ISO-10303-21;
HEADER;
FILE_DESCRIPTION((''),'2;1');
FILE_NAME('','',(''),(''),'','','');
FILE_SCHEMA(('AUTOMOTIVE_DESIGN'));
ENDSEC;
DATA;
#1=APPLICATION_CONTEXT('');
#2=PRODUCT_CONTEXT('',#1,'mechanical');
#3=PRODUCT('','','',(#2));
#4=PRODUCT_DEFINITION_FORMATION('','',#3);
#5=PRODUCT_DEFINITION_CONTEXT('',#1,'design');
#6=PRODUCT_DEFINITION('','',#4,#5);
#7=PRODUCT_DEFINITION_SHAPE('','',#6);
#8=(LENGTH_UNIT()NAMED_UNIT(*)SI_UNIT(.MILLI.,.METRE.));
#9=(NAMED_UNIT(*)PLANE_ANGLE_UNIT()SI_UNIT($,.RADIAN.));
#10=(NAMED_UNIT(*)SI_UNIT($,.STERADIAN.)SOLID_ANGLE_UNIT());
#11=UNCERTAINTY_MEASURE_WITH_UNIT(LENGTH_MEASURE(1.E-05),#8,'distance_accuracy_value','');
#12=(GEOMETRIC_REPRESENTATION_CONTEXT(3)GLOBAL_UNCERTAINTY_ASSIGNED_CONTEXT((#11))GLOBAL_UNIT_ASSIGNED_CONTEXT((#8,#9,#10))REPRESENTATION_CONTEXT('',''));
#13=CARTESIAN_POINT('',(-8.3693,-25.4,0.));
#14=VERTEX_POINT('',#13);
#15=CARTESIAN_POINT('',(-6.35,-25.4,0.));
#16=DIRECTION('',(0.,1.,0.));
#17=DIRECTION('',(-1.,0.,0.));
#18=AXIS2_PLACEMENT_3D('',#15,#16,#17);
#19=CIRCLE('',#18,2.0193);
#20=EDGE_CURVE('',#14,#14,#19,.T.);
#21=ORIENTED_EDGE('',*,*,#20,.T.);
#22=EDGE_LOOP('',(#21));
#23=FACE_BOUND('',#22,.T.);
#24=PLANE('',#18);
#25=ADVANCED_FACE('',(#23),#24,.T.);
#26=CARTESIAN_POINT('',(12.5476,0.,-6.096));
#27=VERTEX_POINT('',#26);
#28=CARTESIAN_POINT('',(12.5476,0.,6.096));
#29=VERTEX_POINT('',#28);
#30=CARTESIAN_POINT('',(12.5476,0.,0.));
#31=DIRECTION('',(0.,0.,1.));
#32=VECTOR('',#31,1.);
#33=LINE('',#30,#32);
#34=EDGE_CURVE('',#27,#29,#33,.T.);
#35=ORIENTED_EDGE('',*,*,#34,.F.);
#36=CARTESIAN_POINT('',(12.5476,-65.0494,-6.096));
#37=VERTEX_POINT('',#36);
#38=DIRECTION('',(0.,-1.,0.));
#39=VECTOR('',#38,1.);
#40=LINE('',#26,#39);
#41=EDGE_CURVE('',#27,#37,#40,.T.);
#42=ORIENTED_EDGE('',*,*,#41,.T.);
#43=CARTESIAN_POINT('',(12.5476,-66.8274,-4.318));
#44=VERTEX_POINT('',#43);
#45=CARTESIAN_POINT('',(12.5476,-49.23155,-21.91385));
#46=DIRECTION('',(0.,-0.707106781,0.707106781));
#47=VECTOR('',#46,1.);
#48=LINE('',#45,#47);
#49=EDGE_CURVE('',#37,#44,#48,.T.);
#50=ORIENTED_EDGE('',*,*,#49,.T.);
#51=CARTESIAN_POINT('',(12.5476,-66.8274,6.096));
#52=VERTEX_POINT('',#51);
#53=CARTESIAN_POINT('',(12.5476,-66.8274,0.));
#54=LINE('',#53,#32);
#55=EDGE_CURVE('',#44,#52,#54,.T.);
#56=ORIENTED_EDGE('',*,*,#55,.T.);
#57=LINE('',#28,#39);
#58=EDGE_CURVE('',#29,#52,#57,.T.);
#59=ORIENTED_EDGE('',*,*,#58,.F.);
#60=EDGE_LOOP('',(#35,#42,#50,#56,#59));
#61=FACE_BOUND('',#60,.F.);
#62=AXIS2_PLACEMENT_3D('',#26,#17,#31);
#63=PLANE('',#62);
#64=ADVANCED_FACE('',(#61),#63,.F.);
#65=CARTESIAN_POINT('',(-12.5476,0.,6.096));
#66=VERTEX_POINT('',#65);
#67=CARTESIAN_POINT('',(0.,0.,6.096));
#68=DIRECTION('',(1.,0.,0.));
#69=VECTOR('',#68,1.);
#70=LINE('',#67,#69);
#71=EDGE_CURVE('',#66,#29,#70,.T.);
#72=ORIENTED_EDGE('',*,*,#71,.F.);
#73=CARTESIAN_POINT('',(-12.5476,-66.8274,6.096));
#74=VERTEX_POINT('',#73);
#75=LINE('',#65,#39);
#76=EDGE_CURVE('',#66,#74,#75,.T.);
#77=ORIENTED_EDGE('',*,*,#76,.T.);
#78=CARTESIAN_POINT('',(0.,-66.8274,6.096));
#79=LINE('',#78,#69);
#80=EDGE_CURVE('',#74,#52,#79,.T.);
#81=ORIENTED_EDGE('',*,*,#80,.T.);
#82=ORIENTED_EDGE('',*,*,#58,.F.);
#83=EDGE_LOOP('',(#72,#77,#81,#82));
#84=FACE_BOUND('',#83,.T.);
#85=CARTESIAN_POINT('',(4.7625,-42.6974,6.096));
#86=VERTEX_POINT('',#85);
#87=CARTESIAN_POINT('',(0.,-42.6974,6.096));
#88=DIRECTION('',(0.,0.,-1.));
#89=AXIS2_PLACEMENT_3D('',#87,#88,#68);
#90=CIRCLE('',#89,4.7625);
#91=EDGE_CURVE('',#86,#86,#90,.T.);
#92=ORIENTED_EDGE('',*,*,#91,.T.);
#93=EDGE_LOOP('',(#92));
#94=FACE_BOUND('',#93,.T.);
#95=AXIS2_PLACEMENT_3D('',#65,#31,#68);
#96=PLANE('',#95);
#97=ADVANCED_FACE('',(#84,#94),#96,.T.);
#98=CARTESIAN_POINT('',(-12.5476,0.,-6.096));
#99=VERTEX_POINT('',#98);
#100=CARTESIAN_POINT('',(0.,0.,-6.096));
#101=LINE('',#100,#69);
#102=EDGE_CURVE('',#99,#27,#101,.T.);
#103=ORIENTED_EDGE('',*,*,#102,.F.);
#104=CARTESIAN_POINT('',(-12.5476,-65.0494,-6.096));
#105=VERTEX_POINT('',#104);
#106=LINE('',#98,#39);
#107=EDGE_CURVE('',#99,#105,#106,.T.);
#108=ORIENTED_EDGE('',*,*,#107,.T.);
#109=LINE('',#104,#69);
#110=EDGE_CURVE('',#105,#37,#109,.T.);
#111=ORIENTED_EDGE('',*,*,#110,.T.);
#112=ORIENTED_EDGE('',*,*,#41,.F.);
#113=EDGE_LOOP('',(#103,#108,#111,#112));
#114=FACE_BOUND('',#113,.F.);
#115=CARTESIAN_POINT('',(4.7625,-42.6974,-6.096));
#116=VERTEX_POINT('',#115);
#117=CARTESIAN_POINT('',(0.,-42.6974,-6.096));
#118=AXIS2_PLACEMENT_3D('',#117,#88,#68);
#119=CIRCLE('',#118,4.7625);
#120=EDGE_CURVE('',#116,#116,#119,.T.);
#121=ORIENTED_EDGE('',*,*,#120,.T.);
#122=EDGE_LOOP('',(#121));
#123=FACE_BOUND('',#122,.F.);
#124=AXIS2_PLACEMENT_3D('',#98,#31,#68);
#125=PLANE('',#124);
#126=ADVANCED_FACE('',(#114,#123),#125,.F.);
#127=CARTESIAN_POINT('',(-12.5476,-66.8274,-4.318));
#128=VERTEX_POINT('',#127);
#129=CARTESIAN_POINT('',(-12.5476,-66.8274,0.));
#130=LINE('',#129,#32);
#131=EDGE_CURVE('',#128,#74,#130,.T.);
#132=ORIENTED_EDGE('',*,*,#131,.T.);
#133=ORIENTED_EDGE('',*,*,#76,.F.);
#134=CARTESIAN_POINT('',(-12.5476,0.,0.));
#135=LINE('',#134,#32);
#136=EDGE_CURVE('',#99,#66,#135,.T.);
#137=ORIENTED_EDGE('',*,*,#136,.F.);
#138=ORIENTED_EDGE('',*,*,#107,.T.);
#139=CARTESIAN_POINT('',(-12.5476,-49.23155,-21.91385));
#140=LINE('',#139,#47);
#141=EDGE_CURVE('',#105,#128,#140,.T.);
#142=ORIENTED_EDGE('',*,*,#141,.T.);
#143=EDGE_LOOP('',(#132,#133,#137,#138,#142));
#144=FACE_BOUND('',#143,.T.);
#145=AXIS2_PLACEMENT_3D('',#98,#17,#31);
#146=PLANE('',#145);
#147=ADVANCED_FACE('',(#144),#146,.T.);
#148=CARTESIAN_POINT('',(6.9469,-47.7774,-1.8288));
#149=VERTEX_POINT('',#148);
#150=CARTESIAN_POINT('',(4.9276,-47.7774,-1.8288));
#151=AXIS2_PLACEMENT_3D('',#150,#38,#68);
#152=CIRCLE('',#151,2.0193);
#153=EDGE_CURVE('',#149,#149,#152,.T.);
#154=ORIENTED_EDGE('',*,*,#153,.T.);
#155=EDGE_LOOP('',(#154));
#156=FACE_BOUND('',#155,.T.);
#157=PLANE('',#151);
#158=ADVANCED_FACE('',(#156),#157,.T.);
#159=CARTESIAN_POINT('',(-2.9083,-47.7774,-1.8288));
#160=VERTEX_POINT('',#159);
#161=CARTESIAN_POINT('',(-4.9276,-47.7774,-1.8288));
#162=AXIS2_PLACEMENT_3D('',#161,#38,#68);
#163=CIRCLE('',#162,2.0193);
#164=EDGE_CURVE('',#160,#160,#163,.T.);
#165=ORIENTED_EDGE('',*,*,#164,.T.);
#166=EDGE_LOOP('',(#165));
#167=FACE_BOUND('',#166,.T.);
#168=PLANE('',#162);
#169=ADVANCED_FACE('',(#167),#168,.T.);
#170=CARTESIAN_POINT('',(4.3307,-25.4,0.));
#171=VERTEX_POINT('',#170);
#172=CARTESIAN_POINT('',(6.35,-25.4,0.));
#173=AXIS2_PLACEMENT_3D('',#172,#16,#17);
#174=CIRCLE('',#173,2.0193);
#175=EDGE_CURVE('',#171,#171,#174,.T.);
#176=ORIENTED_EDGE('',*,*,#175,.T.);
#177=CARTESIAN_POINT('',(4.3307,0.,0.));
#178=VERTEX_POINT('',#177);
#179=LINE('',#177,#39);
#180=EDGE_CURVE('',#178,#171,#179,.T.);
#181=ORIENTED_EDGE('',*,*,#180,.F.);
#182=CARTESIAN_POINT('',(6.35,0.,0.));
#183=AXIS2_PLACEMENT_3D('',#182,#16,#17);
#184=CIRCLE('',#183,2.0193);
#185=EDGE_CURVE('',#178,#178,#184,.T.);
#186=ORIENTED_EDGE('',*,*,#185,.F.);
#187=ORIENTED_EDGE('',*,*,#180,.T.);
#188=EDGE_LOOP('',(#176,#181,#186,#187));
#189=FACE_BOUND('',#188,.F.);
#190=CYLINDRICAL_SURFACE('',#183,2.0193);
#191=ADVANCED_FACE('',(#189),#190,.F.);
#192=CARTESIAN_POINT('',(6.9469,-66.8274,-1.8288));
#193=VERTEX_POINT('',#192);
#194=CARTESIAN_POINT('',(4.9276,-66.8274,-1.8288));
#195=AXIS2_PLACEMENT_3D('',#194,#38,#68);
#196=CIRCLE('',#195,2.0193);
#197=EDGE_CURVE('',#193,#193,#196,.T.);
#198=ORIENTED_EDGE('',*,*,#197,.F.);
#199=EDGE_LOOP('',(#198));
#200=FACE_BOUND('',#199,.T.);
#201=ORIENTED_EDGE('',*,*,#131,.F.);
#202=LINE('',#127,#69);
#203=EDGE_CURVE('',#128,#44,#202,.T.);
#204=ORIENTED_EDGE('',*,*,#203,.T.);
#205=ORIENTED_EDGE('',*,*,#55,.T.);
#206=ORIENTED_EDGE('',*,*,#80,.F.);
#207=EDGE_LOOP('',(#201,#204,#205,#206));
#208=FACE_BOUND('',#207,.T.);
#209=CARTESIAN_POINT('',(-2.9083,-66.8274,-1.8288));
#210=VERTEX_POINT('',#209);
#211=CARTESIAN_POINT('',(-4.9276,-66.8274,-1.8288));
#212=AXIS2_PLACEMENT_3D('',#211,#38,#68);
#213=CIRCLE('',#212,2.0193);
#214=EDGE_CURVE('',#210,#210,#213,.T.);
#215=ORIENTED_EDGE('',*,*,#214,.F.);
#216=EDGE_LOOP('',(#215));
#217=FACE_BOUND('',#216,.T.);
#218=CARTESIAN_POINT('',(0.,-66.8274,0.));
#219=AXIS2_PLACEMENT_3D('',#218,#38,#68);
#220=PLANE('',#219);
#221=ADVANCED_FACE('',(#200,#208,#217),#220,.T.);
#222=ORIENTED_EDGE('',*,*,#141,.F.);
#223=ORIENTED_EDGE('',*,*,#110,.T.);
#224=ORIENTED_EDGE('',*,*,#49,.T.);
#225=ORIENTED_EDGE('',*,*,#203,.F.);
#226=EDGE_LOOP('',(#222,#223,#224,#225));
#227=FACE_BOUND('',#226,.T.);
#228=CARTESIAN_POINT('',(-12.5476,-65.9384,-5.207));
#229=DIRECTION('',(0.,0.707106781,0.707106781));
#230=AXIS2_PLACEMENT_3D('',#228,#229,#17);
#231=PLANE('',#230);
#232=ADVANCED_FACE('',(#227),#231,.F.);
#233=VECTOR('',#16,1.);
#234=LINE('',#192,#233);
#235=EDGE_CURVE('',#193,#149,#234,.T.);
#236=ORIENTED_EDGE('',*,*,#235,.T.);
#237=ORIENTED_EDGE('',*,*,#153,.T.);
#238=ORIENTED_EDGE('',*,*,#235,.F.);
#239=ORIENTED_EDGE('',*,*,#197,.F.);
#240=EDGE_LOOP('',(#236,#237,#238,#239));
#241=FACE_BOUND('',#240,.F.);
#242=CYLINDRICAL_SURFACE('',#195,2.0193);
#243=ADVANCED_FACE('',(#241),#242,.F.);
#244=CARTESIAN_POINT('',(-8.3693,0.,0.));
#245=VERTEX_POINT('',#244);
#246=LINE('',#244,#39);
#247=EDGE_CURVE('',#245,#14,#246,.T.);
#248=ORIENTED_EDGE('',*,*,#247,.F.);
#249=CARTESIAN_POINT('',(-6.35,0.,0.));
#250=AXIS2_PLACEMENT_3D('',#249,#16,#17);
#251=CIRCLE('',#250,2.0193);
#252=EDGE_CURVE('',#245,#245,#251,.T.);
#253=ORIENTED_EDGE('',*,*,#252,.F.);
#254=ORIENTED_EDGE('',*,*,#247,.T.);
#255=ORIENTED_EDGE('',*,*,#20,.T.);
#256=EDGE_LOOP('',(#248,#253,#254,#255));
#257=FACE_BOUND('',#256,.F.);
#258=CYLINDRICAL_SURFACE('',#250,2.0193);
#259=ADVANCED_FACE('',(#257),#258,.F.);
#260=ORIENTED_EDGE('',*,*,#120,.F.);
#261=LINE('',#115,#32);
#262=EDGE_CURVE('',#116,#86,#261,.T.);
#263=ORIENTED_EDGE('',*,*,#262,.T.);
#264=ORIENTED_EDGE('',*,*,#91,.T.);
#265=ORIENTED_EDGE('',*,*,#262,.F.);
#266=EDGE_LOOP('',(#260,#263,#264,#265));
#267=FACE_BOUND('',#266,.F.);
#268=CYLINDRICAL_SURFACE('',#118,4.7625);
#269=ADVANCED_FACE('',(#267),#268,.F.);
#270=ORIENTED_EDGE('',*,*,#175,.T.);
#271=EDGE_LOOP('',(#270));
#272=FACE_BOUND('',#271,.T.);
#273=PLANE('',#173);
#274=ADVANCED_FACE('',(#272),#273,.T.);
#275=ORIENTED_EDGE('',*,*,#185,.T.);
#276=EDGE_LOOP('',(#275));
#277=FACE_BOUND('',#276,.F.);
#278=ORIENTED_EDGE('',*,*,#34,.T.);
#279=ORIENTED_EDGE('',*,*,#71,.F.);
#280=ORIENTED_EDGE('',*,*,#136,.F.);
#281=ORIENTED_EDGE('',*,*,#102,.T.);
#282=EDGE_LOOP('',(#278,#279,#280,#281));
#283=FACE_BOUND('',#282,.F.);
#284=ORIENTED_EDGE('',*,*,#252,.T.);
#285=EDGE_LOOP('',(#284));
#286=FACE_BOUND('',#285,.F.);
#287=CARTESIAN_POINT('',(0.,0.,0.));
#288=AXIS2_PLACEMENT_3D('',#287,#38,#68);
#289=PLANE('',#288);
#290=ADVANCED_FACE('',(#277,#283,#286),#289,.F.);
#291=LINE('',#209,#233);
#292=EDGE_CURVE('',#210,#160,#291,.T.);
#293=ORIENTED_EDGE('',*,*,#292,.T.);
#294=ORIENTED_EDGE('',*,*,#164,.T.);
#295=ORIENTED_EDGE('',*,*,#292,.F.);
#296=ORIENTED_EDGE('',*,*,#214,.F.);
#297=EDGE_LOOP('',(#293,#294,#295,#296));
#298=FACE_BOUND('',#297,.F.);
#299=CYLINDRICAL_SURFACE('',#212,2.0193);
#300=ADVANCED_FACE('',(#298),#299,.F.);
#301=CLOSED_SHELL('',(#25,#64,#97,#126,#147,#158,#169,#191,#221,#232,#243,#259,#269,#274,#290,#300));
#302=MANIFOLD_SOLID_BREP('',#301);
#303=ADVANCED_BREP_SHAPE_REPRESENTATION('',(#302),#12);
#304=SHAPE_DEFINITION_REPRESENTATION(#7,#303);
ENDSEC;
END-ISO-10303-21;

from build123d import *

# Parameters (mm, degrees)
F0_W     = 25.0952
F0_H     = 12.192
F1_DEPTH = 66.8274
F2_R     = 2.0193
F3_DEPTH = 25.4
F4_R     = 2.0193
F5_DEPTH = 19.05
F6_SIZE  = 1.778
F7_R     = 4.7625
F8_DEPTH = 12.193


with BuildPart() as f1:
    # F0 (on Front) → F1 (new body)
    with BuildSketch(Plane.XZ):
        Rectangle(F0_W, F0_H)
    extrude(amount=F1_DEPTH)

    # F2 (on face) → F3 (cut)
    with BuildSketch(Plane(origin=(0, 0, 0), x_dir=(-1, 0, 0), z_dir=(0, 1, 0))):
        with Locations((6.35, 0)):
            Circle(F2_R)
        with Locations((-6.35, 0)):
            Circle(F2_R)
    extrude(amount=-F3_DEPTH, mode=Mode.SUBTRACT)

    # F4 (on face) → F5 (cut)
    with BuildSketch(Plane.XZ.offset(66.8274)):
        with Locations((-4.9276, -1.8288)):
            Circle(F4_R)
        with Locations((4.9276, -1.8288)):
            Circle(F4_R)
    extrude(amount=-F5_DEPTH, mode=Mode.SUBTRACT)

    # F6
    f6_edges = [f1.edges().sort_by_distance(p)[0] for p in [
        (0, -66.8274, -6.096),
    ]]
    chamfer(f6_edges, length=F6_SIZE)

    # F7 (on face) → F8 (cut, through all)
    with BuildSketch(Plane(origin=(0, 0, -6.096), x_dir=(1, 0, 0), z_dir=(0, 0, -1))):
        with Locations((0, 42.6974)):
            Circle(F7_R)
    extrude(amount=-F8_DEPTH, mode=Mode.SUBTRACT)


solid = f1.part
